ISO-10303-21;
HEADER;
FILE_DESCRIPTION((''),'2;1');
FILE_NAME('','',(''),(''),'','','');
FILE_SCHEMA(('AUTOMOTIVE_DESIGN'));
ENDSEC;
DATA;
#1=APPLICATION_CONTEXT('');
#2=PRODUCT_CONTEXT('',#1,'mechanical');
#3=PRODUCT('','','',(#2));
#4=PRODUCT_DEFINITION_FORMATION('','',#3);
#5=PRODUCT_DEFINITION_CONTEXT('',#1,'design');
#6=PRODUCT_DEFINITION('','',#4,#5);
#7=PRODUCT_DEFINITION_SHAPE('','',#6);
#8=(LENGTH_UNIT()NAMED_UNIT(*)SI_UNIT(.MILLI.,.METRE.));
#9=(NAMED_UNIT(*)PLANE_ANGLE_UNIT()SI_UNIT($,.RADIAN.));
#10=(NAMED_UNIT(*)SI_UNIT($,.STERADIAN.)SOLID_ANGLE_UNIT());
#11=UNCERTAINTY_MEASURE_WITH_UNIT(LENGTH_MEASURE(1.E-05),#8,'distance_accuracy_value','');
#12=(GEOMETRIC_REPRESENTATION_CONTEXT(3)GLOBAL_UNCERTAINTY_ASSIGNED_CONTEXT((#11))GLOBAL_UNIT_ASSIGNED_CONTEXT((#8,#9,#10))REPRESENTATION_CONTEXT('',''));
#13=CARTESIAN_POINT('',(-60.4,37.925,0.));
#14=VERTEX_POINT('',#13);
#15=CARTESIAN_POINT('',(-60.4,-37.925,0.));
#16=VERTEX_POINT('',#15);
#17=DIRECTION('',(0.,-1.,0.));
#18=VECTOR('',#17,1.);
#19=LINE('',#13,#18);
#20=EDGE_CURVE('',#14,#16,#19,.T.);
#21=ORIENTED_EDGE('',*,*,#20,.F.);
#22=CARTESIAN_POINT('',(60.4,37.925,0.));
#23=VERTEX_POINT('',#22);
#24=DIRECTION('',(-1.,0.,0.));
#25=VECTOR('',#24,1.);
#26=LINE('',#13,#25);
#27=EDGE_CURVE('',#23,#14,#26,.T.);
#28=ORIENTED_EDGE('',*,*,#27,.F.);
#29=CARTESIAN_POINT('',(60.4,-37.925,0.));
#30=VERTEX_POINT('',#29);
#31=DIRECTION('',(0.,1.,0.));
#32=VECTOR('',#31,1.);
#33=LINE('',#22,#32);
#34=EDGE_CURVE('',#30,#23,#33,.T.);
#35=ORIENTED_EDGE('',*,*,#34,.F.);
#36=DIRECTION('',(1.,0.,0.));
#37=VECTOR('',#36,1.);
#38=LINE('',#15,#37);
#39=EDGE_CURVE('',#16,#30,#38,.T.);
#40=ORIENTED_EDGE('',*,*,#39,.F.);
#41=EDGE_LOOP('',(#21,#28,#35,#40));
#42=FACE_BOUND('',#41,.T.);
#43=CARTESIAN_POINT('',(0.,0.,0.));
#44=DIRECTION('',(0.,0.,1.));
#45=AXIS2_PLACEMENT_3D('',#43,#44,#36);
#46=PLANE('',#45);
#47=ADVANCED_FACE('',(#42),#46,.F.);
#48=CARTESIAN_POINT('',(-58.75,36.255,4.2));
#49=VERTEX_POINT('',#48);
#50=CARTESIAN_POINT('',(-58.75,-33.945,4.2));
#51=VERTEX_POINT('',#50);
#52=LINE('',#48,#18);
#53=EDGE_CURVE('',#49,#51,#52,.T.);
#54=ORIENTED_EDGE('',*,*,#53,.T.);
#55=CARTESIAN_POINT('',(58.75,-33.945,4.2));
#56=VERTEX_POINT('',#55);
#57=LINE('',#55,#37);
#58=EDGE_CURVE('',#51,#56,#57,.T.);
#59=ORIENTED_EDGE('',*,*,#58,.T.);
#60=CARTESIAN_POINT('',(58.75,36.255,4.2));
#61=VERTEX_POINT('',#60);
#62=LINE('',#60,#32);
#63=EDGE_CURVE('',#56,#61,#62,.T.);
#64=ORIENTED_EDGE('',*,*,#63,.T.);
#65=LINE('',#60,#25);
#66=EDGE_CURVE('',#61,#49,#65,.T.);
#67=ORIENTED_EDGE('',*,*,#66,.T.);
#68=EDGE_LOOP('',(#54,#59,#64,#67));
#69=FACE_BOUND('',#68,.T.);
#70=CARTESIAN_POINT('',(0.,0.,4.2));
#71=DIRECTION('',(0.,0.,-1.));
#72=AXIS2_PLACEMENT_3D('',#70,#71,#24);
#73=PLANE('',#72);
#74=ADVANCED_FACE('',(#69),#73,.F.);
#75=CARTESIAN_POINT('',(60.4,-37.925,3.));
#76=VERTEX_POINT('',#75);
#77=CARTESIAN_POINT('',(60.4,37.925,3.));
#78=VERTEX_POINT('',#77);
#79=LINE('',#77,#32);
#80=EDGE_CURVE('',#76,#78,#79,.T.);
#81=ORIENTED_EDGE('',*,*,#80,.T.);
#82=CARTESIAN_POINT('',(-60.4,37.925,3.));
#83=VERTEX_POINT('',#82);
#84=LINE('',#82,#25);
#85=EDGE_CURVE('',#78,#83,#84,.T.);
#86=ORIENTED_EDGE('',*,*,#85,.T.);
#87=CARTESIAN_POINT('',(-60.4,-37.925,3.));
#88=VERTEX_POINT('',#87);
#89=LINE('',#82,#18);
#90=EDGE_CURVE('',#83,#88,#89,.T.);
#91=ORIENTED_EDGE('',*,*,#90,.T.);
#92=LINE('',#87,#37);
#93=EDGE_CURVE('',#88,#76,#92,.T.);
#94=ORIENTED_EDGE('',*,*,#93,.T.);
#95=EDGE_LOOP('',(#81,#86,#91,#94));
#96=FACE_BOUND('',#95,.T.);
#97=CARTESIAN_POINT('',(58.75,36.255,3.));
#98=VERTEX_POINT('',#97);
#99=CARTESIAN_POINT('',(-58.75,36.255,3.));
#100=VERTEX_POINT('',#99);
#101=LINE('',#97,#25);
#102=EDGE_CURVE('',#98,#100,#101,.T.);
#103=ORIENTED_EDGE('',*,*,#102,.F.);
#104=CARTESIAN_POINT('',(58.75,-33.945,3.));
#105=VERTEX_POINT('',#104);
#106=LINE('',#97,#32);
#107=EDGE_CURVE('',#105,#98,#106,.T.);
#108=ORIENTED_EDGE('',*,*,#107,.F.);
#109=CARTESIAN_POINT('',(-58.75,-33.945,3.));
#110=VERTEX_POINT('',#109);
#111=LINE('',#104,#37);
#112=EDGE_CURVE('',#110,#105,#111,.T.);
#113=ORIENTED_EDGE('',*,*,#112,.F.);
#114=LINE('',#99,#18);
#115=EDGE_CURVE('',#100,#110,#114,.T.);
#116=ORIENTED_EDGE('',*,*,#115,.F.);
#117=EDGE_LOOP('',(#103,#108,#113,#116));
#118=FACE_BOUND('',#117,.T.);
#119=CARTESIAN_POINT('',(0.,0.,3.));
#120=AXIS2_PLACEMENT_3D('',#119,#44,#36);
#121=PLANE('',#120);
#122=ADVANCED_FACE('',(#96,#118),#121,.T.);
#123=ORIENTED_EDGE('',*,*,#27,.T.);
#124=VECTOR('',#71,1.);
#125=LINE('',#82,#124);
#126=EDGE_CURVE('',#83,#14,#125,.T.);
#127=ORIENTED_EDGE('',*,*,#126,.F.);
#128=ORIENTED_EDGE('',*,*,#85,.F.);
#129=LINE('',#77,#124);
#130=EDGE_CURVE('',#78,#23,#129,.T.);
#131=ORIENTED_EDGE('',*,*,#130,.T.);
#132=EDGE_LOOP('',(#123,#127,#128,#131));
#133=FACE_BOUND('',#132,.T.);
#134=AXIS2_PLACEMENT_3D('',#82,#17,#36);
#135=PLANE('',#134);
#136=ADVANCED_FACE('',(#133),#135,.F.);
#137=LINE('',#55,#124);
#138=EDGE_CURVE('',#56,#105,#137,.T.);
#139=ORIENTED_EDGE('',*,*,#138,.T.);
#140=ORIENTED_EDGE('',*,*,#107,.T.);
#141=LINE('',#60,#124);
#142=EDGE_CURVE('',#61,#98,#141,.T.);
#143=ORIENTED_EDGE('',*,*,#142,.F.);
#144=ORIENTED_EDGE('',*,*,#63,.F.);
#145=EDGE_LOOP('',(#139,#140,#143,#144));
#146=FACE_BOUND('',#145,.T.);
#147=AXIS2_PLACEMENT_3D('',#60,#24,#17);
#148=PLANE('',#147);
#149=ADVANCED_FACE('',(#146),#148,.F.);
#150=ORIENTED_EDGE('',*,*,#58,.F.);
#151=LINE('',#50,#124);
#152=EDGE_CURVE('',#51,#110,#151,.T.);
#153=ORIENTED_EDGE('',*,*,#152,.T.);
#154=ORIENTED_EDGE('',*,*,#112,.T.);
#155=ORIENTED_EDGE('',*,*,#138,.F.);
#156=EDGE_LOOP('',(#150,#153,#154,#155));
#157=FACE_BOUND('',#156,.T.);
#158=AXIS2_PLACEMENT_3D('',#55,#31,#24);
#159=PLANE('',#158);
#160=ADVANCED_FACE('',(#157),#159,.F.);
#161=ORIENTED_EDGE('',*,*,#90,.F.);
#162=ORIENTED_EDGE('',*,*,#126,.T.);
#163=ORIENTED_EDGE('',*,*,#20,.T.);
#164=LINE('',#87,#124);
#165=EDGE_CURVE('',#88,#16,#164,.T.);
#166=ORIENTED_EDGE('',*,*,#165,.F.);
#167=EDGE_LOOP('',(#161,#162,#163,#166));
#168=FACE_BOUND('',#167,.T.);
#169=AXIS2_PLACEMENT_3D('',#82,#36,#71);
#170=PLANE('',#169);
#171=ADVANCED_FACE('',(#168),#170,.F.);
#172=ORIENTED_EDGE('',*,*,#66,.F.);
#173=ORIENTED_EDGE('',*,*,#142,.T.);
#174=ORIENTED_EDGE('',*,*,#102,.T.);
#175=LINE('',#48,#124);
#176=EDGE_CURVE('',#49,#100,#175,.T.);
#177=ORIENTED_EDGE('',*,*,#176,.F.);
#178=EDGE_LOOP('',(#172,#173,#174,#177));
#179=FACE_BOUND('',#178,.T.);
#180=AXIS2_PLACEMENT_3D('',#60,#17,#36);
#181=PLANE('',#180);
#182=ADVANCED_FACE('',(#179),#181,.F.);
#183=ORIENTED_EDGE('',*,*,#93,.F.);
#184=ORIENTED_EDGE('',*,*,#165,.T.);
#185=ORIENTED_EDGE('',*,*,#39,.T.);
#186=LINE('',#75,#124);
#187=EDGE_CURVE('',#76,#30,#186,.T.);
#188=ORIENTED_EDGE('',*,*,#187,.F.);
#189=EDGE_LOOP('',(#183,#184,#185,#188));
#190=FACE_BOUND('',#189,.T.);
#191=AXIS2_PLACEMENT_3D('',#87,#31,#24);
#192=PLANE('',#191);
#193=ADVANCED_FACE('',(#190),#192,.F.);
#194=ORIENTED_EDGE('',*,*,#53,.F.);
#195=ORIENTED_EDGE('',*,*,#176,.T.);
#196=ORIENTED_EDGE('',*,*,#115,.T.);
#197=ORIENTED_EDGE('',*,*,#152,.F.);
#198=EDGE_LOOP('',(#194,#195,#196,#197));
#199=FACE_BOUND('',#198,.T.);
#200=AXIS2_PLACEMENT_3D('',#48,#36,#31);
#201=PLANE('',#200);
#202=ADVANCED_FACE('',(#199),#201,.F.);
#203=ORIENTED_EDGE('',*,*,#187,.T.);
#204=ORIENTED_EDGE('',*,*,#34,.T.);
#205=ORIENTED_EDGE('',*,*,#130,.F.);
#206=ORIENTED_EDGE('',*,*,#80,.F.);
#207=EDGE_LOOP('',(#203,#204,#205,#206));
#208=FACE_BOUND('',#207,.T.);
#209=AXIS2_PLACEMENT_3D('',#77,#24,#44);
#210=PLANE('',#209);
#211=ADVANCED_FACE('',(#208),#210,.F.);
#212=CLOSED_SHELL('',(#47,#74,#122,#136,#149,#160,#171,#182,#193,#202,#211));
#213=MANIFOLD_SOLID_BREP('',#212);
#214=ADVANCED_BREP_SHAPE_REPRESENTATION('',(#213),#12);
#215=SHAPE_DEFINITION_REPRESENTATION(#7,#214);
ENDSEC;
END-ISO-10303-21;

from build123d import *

# Parameters (mm, degrees)
SKETCH1_W           = 120.8
SKETCH1_H           = 75.85
BOSS_EXTRUDE1_DEPTH = 3
SKETCH2_W           = 117.5
SKETCH2_H           = 70.2
BOSS_EXTRUDE2_DEPTH = 1.2


with BuildPart() as part:
    # Sketch1 → Boss-Extrude1 (new body)
    with BuildSketch(Plane.XY):
        Rectangle(SKETCH1_W, SKETCH1_H)
    extrude(amount=BOSS_EXTRUDE1_DEPTH)

    # Sketch2 → Boss-Extrude2 (add)
    with BuildSketch(Plane.XY.offset(3)):
        with Locations((0, 1.155)):
            Rectangle(SKETCH2_W, SKETCH2_H)
    extrude(amount=BOSS_EXTRUDE2_DEPTH)


solid = part.part
